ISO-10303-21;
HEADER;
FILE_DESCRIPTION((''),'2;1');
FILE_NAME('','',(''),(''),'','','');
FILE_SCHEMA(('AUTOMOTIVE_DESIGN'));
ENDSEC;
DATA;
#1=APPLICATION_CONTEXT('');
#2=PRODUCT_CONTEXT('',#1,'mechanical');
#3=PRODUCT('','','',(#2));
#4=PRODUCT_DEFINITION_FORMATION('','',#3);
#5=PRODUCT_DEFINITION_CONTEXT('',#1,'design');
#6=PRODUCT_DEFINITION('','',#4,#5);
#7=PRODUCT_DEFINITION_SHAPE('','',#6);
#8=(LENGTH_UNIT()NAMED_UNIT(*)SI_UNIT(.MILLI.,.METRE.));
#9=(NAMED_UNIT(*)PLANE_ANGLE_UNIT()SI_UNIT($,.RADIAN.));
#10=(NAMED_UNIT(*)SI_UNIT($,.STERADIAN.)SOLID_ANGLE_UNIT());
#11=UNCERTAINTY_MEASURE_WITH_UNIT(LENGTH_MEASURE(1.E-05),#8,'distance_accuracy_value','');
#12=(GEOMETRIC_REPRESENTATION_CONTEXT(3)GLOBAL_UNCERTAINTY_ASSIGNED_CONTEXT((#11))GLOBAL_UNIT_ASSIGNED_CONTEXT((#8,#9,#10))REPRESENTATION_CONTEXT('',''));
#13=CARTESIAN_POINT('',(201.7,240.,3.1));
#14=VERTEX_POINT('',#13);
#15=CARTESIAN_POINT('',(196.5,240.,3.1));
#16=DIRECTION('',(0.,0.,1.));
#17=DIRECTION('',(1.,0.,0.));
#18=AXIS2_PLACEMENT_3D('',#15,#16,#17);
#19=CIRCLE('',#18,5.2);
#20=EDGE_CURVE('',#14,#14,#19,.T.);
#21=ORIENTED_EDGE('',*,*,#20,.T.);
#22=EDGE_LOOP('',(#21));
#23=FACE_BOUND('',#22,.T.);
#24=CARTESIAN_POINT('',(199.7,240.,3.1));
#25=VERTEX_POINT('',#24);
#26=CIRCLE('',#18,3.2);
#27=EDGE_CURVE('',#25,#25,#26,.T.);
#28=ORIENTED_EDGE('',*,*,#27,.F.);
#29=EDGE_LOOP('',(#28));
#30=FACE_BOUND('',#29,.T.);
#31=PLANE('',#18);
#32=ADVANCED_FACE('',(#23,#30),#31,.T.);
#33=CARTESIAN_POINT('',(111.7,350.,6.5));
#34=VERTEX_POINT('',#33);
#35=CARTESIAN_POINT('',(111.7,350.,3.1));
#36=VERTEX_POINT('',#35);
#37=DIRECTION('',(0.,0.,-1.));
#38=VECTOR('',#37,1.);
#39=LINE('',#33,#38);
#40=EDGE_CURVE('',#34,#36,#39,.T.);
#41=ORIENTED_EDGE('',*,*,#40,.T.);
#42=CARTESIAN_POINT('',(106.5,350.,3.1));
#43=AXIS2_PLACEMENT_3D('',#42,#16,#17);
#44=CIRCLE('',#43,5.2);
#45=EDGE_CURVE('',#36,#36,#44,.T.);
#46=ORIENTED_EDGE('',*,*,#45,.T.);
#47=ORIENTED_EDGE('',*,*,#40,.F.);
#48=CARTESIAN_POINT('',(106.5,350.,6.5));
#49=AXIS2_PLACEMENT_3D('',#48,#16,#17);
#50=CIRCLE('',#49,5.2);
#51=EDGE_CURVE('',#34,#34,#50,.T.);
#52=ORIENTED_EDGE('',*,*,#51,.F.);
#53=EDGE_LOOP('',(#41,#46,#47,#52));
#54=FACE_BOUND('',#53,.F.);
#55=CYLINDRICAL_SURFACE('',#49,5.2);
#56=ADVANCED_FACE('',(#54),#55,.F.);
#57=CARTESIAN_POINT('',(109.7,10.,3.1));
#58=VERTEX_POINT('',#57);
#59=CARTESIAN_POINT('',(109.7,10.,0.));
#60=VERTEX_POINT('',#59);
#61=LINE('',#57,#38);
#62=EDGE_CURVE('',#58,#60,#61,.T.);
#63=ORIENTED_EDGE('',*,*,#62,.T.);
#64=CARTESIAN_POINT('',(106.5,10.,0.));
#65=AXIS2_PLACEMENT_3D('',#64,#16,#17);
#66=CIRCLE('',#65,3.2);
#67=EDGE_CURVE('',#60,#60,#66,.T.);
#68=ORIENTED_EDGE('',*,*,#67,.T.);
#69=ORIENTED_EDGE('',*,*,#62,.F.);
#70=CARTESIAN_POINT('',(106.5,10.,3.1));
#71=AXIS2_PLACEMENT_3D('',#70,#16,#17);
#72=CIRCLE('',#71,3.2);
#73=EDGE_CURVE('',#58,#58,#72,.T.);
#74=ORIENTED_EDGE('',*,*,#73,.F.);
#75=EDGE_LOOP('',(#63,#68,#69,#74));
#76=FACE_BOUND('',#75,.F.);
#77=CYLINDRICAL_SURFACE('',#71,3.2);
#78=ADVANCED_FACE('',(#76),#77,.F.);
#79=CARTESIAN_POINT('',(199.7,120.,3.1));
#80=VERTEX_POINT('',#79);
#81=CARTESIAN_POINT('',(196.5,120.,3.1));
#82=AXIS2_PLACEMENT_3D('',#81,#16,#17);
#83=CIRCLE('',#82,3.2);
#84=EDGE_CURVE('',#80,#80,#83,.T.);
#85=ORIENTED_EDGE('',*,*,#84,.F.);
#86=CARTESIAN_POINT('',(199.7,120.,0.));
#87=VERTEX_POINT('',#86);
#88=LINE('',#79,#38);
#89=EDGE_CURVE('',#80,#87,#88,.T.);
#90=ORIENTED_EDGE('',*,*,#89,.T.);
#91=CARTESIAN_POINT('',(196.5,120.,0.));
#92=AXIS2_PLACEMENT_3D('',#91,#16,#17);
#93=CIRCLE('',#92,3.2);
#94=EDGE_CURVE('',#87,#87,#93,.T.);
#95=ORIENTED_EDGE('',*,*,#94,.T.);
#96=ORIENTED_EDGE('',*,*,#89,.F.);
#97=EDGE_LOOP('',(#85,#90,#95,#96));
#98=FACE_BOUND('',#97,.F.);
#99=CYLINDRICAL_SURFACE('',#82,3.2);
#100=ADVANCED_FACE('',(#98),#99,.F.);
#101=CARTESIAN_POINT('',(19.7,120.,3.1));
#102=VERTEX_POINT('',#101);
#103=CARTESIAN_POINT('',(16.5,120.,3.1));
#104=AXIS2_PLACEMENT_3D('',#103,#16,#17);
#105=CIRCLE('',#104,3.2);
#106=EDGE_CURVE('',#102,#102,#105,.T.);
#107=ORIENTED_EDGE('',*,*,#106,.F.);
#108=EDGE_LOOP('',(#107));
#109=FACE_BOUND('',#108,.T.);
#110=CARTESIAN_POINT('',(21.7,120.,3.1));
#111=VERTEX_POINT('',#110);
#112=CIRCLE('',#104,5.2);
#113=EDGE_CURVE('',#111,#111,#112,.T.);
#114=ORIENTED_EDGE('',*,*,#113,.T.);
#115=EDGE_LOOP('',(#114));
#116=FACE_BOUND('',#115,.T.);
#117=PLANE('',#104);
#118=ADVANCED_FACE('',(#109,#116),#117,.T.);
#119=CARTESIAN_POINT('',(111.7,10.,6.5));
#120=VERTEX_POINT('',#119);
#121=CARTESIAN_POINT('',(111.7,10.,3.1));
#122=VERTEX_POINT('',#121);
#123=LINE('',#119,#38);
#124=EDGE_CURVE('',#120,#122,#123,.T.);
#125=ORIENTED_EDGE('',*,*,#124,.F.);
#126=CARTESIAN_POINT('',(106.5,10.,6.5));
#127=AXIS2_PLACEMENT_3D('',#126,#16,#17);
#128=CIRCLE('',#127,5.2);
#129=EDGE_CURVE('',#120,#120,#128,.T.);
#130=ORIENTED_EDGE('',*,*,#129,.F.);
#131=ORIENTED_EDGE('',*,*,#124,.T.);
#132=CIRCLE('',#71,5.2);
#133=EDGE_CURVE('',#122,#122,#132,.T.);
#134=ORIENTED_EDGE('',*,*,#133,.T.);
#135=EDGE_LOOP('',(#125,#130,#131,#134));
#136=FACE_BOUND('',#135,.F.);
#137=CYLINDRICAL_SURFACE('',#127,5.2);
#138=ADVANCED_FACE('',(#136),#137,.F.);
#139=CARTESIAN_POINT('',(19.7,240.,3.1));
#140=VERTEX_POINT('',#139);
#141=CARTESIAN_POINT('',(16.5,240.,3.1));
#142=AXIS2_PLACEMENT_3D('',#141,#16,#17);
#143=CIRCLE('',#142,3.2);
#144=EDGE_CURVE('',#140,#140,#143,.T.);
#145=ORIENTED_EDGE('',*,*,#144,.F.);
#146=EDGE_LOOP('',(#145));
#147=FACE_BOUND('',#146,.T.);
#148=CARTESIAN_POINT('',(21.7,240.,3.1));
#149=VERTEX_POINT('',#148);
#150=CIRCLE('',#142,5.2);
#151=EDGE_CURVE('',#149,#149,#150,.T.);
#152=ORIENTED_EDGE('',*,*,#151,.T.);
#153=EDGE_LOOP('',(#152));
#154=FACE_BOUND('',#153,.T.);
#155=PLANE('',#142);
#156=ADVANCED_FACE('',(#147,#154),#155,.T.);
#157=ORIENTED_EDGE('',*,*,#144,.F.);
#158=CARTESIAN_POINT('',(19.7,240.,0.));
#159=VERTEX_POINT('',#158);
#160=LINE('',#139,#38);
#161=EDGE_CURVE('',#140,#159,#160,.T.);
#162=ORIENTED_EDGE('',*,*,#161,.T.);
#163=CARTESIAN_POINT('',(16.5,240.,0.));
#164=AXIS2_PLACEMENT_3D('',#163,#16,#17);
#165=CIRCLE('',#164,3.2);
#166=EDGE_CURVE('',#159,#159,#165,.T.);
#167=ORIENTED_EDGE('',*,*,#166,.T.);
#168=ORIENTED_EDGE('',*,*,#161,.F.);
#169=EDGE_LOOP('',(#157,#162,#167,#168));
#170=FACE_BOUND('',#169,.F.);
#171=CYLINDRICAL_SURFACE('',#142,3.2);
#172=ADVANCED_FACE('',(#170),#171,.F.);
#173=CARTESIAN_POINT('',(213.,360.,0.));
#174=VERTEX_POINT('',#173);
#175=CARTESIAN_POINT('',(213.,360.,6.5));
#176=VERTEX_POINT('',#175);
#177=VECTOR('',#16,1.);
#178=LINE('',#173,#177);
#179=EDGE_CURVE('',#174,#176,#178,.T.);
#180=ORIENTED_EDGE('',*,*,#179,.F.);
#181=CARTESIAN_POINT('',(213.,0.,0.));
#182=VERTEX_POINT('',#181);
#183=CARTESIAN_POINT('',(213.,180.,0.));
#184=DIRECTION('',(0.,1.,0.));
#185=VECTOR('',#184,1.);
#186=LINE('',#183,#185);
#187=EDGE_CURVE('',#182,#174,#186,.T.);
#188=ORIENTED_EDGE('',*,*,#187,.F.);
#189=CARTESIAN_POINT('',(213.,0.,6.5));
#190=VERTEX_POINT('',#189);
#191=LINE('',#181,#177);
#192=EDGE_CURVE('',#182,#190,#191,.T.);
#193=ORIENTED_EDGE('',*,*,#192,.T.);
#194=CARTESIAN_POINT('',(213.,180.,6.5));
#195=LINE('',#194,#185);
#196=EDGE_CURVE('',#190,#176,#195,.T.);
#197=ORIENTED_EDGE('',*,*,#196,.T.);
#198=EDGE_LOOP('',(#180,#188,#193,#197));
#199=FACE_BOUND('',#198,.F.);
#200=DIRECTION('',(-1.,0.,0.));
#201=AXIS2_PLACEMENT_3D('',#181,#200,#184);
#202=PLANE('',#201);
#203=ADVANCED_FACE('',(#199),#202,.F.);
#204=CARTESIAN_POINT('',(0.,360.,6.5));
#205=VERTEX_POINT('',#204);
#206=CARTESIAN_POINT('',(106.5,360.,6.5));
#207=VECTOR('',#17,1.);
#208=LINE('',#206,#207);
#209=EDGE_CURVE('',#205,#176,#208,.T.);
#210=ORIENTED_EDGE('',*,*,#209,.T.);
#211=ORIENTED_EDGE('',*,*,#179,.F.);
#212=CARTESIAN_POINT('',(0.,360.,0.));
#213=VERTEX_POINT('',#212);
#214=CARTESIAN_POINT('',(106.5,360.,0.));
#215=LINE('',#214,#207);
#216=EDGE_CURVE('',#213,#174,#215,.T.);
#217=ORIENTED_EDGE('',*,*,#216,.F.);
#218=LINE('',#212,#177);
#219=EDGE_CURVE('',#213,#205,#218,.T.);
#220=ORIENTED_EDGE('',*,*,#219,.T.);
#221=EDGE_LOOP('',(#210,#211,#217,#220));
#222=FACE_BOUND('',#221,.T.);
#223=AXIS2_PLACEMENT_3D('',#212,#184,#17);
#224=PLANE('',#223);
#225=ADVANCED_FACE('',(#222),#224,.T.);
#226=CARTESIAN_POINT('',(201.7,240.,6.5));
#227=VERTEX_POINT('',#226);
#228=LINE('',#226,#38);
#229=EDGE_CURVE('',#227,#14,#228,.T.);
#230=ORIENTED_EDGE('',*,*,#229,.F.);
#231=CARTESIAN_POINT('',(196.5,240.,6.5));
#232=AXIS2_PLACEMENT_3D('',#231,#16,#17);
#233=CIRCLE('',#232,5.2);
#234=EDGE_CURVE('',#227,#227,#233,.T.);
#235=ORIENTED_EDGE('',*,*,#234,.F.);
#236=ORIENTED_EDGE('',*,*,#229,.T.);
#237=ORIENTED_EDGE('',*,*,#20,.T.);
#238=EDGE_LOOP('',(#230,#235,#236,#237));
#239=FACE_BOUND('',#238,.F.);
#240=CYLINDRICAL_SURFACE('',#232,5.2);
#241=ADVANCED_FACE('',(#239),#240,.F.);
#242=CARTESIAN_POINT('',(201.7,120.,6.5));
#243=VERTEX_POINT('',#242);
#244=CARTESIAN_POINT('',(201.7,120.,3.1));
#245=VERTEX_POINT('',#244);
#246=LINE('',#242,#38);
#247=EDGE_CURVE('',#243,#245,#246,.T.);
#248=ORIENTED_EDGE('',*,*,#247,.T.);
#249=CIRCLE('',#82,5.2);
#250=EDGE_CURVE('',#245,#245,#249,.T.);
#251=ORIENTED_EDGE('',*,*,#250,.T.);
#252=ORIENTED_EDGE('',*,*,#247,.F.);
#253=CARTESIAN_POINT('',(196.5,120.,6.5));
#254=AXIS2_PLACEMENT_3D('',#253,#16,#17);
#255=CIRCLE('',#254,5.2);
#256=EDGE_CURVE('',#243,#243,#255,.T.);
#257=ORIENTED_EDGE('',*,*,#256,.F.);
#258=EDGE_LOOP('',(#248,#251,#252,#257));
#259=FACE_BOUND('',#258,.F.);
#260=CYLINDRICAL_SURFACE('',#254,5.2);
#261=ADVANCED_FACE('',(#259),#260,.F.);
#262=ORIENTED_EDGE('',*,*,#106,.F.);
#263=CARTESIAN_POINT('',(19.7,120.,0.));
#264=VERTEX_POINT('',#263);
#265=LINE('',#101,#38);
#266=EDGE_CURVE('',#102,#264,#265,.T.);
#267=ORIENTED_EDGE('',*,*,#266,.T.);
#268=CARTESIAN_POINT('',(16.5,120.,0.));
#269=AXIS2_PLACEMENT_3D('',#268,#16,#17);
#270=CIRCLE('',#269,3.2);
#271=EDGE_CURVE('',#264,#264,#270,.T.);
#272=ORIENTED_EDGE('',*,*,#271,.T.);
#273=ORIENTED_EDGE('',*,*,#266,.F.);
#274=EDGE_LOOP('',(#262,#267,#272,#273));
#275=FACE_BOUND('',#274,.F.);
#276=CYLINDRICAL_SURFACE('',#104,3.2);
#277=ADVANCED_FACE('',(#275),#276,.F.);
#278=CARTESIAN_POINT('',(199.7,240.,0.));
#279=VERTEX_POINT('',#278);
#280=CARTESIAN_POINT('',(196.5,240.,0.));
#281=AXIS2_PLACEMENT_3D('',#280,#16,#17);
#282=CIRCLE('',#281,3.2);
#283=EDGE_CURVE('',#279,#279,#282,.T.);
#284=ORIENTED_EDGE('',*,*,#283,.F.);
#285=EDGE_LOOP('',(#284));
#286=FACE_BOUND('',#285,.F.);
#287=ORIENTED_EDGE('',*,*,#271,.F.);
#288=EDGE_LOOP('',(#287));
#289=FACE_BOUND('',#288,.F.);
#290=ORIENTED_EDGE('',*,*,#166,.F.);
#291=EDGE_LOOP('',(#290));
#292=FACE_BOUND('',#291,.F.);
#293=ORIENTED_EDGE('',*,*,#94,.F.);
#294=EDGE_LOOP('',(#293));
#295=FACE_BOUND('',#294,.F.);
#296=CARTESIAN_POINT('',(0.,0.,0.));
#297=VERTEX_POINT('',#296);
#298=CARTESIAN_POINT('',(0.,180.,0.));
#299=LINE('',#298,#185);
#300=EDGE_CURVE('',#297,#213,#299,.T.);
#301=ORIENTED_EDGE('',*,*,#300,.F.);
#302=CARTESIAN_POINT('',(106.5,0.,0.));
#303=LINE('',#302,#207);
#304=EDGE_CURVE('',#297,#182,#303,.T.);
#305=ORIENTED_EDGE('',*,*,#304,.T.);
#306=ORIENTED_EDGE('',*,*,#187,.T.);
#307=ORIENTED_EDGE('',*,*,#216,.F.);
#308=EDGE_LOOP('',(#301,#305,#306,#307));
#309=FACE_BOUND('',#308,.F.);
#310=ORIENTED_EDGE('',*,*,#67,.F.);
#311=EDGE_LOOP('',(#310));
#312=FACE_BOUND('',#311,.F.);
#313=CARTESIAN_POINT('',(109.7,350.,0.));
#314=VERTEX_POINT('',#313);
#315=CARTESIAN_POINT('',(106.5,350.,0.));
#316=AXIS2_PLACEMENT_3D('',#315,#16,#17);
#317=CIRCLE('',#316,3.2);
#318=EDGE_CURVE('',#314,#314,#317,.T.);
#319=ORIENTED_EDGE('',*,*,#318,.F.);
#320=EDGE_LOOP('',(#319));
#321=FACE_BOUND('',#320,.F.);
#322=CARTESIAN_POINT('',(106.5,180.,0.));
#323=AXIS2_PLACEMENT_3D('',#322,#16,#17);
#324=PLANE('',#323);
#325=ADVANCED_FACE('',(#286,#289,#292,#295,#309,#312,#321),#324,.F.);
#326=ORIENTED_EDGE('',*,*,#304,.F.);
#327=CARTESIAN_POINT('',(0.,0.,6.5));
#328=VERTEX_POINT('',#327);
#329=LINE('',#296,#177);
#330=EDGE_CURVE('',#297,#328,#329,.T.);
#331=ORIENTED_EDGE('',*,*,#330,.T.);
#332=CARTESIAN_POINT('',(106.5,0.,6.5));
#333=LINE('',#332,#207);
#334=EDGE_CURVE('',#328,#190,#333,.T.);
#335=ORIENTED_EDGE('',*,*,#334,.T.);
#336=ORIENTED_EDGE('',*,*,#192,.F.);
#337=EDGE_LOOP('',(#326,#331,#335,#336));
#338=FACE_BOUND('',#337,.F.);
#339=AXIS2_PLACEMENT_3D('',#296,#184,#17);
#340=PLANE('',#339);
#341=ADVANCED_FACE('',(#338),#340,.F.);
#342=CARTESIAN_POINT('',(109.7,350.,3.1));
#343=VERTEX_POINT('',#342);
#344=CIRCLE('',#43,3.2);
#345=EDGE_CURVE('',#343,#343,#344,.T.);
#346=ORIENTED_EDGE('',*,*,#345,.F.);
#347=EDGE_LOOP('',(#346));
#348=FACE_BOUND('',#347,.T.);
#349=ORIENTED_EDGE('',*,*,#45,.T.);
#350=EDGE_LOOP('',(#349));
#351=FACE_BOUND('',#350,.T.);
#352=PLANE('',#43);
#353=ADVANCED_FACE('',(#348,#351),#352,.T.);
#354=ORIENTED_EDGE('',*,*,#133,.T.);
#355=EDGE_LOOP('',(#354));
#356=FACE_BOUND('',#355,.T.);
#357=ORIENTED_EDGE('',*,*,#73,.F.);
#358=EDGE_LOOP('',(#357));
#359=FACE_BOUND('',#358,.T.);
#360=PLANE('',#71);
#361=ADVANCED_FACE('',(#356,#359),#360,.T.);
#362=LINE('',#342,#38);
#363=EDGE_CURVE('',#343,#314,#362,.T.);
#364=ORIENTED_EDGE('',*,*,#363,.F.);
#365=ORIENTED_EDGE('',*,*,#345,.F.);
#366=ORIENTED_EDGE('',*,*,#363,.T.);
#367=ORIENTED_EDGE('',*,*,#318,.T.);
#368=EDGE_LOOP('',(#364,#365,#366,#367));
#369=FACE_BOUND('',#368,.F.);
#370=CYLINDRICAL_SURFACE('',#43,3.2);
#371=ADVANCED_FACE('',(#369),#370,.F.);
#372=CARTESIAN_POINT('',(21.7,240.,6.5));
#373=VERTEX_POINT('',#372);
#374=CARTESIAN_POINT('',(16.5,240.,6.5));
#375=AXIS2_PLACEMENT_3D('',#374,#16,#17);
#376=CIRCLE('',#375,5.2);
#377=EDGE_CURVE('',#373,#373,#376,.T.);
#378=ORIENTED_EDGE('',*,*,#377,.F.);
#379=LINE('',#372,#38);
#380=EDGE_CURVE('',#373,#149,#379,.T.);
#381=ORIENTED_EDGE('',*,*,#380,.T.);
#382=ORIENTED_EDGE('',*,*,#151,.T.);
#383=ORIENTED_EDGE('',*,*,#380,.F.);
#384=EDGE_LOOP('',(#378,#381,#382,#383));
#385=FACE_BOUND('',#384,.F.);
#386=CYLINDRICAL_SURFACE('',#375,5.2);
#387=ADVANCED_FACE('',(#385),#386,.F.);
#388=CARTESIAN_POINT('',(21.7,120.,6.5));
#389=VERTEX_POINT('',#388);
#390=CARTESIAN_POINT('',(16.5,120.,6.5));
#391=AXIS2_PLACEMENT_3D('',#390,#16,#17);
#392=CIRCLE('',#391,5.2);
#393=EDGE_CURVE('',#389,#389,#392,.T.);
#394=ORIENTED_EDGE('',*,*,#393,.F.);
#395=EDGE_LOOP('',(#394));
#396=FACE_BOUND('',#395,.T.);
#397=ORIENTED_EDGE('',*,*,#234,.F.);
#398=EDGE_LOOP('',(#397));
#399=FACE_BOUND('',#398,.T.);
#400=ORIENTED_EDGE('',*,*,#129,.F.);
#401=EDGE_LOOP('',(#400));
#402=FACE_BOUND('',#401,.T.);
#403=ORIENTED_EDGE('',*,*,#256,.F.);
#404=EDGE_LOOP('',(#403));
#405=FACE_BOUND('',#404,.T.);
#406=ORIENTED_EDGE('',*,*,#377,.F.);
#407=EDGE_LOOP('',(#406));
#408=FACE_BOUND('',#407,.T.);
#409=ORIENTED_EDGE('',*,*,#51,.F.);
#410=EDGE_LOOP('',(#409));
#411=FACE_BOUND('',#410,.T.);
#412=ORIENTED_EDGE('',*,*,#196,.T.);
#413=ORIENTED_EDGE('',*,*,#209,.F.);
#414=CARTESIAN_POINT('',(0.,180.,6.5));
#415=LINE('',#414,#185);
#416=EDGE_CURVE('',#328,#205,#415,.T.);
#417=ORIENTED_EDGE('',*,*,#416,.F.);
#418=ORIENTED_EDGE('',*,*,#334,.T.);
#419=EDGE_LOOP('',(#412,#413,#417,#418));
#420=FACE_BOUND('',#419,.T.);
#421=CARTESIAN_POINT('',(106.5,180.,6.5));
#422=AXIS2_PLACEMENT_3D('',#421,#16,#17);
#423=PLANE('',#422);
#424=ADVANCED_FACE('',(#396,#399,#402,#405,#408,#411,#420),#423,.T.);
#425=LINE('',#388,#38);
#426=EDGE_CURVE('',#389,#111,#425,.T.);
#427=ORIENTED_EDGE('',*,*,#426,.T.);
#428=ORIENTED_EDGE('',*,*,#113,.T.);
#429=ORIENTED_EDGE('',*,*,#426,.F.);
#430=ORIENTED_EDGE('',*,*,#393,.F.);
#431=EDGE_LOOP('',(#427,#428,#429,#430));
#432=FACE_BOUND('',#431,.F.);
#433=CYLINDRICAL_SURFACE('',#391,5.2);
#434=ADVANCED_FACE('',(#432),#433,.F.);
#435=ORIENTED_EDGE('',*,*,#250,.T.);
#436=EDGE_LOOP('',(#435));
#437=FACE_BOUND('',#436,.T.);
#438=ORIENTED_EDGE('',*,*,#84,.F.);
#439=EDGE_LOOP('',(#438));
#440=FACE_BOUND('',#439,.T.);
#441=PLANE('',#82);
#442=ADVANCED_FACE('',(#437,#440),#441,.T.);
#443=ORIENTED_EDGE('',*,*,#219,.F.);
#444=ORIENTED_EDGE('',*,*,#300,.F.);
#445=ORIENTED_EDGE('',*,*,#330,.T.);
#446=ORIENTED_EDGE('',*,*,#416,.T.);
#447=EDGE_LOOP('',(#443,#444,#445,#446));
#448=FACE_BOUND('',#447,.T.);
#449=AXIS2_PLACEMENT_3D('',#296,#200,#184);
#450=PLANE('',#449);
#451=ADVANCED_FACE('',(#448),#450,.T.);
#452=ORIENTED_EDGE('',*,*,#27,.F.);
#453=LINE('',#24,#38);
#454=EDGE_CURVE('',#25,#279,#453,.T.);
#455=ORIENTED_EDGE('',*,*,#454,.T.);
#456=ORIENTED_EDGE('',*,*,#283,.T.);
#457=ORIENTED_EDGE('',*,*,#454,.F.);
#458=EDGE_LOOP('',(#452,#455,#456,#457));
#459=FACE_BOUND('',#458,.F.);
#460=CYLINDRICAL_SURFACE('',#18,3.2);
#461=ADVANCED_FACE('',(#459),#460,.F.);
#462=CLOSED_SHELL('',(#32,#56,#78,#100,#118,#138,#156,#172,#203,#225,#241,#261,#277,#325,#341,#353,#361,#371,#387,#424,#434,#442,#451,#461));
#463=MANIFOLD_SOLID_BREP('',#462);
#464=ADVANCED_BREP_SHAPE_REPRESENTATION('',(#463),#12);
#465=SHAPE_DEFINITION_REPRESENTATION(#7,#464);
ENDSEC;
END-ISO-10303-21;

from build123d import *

# Parameters (mm, degrees)
SKETCH_W        = 213
SKETCH_H        = 360
PAD_DEPTH       = 6.5
SKETCH001_R     = 5.2
POCKET_DEPTH    = 3.4
SKETCH002_R     = 3.2
POCKET001_DEPTH = 3.1


with BuildPart() as part:
    # Sketch → Pad (new body)
    with BuildSketch(Plane.XY):
        with Locations((106.5, 180)):
            Rectangle(SKETCH_W, SKETCH_H)
    extrude(amount=PAD_DEPTH)

    # Sketch001 (on Face6 of Pad) → Pocket (cut)
    with BuildSketch(Plane.XY.offset(6.5)):
        with Locations((106.5, 350)):
            Circle(SKETCH001_R)
        with Locations((16.5, 240)):
            Circle(SKETCH001_R)
        with Locations((16.5, 120)):
            Circle(SKETCH001_R)
        with Locations((196.5, 240)):
            Circle(SKETCH001_R)
        with Locations((196.5, 120)):
            Circle(SKETCH001_R)
        with Locations((106.5, 10)):
            Circle(SKETCH001_R)
    extrude(amount=-POCKET_DEPTH, mode=Mode.SUBTRACT)

    # Sketch002 (on Face17 of Pocket) → Pocket001 (cut)
    with BuildSketch(Plane.XY.offset(3.1)):
        with Locations((106.5, 350)):
            Circle(SKETCH002_R)
        with Locations((16.5, 240)):
            Circle(SKETCH002_R)
        with Locations((16.5, 120)):
            Circle(SKETCH002_R)
        with Locations((196.5, 240)):
            Circle(SKETCH002_R)
        with Locations((196.5, 120)):
            Circle(SKETCH002_R)
        with Locations((106.5, 10)):
            Circle(SKETCH002_R)
    extrude(amount=-POCKET001_DEPTH, mode=Mode.SUBTRACT)


solid = part.part
